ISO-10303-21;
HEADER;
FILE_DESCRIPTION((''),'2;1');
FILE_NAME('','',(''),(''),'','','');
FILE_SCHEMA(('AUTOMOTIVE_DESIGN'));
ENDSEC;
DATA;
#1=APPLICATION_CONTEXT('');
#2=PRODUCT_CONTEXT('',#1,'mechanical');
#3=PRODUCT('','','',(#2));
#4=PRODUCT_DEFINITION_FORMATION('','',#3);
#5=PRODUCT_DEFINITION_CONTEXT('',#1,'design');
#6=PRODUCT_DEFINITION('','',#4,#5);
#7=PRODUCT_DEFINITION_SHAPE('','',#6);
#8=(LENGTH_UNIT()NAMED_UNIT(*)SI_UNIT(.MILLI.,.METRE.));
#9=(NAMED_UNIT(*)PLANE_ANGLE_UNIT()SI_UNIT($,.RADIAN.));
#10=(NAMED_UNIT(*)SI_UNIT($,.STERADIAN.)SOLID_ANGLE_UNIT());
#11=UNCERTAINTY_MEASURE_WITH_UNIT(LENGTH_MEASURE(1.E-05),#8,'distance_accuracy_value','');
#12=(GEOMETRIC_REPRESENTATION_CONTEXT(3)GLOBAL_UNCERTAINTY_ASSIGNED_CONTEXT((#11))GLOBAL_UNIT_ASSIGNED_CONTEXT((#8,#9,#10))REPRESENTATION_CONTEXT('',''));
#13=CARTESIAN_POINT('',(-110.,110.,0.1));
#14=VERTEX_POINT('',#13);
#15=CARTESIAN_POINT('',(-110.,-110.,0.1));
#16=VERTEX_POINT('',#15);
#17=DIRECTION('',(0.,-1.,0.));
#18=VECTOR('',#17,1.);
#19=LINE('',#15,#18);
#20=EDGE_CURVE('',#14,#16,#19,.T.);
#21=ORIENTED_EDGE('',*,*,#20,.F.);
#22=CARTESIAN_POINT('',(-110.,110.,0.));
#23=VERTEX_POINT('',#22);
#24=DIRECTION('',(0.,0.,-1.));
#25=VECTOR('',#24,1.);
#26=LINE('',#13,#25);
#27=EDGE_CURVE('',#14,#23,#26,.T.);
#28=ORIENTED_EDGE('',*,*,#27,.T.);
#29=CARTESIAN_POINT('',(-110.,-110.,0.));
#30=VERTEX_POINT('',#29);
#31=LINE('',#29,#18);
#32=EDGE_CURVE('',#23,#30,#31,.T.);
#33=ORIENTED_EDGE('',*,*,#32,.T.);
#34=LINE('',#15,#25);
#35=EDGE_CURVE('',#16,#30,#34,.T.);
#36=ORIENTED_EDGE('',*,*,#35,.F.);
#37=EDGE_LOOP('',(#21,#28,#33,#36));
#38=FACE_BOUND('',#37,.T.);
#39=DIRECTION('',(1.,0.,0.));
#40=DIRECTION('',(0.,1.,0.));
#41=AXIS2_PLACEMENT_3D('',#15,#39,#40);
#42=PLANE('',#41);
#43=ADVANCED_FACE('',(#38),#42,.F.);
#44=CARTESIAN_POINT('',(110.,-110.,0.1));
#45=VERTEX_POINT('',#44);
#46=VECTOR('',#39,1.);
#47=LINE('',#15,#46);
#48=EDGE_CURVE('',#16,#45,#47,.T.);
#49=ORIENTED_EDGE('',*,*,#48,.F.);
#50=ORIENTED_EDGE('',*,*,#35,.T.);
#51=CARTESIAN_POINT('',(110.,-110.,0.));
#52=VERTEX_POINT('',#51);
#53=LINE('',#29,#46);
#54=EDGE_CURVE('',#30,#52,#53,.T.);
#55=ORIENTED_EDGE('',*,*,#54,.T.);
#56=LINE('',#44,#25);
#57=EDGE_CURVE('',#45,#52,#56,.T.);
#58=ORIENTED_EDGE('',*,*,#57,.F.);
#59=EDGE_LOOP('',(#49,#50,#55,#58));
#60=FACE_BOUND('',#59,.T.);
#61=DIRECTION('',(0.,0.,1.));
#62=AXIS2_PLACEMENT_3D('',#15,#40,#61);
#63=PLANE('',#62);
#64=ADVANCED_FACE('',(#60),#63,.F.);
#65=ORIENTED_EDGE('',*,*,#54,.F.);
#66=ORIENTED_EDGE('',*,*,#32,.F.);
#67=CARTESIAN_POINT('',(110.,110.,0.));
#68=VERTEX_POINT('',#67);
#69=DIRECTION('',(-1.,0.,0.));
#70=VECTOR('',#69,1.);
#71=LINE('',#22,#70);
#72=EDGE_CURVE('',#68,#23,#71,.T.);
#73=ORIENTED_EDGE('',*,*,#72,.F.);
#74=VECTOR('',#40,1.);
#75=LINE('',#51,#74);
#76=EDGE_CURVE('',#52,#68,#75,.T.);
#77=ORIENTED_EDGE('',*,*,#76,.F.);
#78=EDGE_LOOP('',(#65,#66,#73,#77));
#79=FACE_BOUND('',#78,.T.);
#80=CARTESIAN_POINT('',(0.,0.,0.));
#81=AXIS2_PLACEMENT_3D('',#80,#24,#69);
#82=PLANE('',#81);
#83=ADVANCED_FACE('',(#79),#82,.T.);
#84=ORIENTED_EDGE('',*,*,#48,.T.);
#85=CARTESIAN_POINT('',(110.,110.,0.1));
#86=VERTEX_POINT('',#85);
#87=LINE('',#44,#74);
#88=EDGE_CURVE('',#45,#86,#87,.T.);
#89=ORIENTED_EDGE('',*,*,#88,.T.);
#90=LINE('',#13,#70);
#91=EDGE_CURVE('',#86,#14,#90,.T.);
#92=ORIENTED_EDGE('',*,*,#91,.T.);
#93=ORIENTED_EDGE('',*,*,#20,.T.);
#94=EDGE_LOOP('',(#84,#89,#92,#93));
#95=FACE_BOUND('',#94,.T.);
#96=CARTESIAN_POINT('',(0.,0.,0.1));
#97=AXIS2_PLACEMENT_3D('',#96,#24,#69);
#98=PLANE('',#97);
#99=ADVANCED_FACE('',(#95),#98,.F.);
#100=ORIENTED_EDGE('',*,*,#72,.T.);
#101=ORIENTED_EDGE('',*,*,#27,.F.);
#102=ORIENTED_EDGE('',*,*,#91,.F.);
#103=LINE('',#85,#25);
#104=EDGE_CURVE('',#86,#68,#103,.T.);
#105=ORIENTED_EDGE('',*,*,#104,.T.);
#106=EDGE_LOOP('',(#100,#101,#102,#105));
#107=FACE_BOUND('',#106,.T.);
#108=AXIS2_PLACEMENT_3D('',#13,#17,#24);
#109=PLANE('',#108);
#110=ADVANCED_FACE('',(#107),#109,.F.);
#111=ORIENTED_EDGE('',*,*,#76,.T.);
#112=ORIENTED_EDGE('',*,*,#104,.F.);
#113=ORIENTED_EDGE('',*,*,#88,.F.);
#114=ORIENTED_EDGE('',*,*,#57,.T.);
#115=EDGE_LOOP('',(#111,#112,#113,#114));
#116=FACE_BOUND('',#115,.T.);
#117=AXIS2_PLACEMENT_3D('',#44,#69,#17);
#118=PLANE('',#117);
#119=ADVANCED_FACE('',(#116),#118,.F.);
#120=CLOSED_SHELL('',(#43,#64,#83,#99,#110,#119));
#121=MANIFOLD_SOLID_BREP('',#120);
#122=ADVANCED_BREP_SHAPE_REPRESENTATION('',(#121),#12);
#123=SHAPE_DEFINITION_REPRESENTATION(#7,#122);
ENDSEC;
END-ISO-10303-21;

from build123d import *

# Parameters (mm, degrees)
SKETCH_1_W      = 220
SKETCH_1_H      = 220
EXTRUDE_1_DEPTH = 0.1


with BuildPart() as part:
    # 草图1 → 凸台-拉伸1 (new body)
    with BuildSketch(Plane.XY):
        Rectangle(SKETCH_1_W, SKETCH_1_H)
    extrude(amount=EXTRUDE_1_DEPTH)


solid = part.part
